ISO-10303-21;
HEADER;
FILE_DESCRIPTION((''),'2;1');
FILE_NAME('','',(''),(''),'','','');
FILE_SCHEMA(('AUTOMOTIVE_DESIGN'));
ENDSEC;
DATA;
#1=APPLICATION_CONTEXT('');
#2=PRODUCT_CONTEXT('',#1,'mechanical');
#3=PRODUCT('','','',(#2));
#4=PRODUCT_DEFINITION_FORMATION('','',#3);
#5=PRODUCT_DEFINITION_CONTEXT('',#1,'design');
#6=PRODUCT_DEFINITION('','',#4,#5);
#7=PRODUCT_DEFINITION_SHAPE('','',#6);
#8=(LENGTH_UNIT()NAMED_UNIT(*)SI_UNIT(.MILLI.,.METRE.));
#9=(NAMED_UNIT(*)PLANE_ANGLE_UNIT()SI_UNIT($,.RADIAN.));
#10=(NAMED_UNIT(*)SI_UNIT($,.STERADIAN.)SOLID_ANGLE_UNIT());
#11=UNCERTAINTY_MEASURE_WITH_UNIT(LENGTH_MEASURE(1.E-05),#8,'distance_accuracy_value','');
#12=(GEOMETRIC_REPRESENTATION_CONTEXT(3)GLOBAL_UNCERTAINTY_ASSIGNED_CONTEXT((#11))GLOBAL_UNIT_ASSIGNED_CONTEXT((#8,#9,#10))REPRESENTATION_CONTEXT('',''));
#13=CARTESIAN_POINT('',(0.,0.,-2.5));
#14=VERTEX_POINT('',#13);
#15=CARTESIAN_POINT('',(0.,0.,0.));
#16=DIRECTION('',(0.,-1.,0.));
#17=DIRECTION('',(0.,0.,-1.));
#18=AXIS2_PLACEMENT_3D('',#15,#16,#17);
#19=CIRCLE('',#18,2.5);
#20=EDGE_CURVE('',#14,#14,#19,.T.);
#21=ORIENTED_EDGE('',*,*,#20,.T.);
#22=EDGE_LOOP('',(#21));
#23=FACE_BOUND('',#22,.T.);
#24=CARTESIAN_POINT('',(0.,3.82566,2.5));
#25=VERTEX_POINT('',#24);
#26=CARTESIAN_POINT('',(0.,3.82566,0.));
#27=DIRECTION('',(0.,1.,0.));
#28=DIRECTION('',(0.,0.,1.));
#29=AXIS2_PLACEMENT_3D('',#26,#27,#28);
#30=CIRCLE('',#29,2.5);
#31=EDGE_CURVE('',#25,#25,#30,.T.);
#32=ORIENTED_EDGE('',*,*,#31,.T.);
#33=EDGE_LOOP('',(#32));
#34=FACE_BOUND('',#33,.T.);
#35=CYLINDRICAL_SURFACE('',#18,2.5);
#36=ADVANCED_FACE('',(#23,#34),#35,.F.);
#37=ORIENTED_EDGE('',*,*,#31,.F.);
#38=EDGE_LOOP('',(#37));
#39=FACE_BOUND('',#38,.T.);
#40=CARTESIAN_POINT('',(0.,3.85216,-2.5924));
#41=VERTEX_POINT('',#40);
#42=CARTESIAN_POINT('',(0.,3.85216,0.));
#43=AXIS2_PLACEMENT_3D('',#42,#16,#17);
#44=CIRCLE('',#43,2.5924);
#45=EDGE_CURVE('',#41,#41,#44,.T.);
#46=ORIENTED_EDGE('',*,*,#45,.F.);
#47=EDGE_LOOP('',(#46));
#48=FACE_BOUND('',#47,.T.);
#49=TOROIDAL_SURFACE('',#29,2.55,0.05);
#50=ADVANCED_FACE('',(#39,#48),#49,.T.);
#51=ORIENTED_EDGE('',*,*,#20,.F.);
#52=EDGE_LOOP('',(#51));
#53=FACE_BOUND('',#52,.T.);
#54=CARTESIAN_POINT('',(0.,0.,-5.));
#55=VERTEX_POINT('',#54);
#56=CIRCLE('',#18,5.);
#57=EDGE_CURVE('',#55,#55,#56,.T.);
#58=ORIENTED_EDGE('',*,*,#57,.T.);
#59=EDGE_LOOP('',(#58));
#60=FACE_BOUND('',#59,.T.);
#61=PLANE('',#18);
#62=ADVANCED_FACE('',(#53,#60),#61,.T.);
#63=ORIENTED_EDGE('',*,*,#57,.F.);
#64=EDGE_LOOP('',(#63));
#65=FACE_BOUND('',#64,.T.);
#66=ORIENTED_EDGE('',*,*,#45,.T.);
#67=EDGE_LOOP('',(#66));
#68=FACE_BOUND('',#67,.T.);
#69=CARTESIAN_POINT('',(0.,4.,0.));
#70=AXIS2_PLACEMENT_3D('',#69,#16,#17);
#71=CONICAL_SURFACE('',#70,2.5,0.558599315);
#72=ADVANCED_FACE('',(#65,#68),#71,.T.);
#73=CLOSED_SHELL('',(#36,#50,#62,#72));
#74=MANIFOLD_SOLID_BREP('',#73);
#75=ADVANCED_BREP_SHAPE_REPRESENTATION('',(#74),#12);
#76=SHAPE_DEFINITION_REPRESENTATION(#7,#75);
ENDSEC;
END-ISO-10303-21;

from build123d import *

# Parameters (mm, degrees)
FILLET1_R = 0.05


with BuildPart() as part:
    # Sketch2 → Revolve1 (revolve)
    with BuildSketch(Plane.XY, mode=Mode.PRIVATE) as revolve1_sk:
        Polygon((2.5, 4), (2.5, 0), (5, 0), align=None)
    revolve(revolve1_sk.sketch.rotate(Axis((0, 0, 0), (0, 1, 0)), 90), axis=Axis((0, 0, 0), (0, 1, 0)))

    # Fillet1
    fillet1_edges = [part.edges().sort_by_distance(p)[0] for p in [
        (0, 4, 2.5),
    ]]
    fillet(fillet1_edges, radius=FILLET1_R)


solid = part.part
